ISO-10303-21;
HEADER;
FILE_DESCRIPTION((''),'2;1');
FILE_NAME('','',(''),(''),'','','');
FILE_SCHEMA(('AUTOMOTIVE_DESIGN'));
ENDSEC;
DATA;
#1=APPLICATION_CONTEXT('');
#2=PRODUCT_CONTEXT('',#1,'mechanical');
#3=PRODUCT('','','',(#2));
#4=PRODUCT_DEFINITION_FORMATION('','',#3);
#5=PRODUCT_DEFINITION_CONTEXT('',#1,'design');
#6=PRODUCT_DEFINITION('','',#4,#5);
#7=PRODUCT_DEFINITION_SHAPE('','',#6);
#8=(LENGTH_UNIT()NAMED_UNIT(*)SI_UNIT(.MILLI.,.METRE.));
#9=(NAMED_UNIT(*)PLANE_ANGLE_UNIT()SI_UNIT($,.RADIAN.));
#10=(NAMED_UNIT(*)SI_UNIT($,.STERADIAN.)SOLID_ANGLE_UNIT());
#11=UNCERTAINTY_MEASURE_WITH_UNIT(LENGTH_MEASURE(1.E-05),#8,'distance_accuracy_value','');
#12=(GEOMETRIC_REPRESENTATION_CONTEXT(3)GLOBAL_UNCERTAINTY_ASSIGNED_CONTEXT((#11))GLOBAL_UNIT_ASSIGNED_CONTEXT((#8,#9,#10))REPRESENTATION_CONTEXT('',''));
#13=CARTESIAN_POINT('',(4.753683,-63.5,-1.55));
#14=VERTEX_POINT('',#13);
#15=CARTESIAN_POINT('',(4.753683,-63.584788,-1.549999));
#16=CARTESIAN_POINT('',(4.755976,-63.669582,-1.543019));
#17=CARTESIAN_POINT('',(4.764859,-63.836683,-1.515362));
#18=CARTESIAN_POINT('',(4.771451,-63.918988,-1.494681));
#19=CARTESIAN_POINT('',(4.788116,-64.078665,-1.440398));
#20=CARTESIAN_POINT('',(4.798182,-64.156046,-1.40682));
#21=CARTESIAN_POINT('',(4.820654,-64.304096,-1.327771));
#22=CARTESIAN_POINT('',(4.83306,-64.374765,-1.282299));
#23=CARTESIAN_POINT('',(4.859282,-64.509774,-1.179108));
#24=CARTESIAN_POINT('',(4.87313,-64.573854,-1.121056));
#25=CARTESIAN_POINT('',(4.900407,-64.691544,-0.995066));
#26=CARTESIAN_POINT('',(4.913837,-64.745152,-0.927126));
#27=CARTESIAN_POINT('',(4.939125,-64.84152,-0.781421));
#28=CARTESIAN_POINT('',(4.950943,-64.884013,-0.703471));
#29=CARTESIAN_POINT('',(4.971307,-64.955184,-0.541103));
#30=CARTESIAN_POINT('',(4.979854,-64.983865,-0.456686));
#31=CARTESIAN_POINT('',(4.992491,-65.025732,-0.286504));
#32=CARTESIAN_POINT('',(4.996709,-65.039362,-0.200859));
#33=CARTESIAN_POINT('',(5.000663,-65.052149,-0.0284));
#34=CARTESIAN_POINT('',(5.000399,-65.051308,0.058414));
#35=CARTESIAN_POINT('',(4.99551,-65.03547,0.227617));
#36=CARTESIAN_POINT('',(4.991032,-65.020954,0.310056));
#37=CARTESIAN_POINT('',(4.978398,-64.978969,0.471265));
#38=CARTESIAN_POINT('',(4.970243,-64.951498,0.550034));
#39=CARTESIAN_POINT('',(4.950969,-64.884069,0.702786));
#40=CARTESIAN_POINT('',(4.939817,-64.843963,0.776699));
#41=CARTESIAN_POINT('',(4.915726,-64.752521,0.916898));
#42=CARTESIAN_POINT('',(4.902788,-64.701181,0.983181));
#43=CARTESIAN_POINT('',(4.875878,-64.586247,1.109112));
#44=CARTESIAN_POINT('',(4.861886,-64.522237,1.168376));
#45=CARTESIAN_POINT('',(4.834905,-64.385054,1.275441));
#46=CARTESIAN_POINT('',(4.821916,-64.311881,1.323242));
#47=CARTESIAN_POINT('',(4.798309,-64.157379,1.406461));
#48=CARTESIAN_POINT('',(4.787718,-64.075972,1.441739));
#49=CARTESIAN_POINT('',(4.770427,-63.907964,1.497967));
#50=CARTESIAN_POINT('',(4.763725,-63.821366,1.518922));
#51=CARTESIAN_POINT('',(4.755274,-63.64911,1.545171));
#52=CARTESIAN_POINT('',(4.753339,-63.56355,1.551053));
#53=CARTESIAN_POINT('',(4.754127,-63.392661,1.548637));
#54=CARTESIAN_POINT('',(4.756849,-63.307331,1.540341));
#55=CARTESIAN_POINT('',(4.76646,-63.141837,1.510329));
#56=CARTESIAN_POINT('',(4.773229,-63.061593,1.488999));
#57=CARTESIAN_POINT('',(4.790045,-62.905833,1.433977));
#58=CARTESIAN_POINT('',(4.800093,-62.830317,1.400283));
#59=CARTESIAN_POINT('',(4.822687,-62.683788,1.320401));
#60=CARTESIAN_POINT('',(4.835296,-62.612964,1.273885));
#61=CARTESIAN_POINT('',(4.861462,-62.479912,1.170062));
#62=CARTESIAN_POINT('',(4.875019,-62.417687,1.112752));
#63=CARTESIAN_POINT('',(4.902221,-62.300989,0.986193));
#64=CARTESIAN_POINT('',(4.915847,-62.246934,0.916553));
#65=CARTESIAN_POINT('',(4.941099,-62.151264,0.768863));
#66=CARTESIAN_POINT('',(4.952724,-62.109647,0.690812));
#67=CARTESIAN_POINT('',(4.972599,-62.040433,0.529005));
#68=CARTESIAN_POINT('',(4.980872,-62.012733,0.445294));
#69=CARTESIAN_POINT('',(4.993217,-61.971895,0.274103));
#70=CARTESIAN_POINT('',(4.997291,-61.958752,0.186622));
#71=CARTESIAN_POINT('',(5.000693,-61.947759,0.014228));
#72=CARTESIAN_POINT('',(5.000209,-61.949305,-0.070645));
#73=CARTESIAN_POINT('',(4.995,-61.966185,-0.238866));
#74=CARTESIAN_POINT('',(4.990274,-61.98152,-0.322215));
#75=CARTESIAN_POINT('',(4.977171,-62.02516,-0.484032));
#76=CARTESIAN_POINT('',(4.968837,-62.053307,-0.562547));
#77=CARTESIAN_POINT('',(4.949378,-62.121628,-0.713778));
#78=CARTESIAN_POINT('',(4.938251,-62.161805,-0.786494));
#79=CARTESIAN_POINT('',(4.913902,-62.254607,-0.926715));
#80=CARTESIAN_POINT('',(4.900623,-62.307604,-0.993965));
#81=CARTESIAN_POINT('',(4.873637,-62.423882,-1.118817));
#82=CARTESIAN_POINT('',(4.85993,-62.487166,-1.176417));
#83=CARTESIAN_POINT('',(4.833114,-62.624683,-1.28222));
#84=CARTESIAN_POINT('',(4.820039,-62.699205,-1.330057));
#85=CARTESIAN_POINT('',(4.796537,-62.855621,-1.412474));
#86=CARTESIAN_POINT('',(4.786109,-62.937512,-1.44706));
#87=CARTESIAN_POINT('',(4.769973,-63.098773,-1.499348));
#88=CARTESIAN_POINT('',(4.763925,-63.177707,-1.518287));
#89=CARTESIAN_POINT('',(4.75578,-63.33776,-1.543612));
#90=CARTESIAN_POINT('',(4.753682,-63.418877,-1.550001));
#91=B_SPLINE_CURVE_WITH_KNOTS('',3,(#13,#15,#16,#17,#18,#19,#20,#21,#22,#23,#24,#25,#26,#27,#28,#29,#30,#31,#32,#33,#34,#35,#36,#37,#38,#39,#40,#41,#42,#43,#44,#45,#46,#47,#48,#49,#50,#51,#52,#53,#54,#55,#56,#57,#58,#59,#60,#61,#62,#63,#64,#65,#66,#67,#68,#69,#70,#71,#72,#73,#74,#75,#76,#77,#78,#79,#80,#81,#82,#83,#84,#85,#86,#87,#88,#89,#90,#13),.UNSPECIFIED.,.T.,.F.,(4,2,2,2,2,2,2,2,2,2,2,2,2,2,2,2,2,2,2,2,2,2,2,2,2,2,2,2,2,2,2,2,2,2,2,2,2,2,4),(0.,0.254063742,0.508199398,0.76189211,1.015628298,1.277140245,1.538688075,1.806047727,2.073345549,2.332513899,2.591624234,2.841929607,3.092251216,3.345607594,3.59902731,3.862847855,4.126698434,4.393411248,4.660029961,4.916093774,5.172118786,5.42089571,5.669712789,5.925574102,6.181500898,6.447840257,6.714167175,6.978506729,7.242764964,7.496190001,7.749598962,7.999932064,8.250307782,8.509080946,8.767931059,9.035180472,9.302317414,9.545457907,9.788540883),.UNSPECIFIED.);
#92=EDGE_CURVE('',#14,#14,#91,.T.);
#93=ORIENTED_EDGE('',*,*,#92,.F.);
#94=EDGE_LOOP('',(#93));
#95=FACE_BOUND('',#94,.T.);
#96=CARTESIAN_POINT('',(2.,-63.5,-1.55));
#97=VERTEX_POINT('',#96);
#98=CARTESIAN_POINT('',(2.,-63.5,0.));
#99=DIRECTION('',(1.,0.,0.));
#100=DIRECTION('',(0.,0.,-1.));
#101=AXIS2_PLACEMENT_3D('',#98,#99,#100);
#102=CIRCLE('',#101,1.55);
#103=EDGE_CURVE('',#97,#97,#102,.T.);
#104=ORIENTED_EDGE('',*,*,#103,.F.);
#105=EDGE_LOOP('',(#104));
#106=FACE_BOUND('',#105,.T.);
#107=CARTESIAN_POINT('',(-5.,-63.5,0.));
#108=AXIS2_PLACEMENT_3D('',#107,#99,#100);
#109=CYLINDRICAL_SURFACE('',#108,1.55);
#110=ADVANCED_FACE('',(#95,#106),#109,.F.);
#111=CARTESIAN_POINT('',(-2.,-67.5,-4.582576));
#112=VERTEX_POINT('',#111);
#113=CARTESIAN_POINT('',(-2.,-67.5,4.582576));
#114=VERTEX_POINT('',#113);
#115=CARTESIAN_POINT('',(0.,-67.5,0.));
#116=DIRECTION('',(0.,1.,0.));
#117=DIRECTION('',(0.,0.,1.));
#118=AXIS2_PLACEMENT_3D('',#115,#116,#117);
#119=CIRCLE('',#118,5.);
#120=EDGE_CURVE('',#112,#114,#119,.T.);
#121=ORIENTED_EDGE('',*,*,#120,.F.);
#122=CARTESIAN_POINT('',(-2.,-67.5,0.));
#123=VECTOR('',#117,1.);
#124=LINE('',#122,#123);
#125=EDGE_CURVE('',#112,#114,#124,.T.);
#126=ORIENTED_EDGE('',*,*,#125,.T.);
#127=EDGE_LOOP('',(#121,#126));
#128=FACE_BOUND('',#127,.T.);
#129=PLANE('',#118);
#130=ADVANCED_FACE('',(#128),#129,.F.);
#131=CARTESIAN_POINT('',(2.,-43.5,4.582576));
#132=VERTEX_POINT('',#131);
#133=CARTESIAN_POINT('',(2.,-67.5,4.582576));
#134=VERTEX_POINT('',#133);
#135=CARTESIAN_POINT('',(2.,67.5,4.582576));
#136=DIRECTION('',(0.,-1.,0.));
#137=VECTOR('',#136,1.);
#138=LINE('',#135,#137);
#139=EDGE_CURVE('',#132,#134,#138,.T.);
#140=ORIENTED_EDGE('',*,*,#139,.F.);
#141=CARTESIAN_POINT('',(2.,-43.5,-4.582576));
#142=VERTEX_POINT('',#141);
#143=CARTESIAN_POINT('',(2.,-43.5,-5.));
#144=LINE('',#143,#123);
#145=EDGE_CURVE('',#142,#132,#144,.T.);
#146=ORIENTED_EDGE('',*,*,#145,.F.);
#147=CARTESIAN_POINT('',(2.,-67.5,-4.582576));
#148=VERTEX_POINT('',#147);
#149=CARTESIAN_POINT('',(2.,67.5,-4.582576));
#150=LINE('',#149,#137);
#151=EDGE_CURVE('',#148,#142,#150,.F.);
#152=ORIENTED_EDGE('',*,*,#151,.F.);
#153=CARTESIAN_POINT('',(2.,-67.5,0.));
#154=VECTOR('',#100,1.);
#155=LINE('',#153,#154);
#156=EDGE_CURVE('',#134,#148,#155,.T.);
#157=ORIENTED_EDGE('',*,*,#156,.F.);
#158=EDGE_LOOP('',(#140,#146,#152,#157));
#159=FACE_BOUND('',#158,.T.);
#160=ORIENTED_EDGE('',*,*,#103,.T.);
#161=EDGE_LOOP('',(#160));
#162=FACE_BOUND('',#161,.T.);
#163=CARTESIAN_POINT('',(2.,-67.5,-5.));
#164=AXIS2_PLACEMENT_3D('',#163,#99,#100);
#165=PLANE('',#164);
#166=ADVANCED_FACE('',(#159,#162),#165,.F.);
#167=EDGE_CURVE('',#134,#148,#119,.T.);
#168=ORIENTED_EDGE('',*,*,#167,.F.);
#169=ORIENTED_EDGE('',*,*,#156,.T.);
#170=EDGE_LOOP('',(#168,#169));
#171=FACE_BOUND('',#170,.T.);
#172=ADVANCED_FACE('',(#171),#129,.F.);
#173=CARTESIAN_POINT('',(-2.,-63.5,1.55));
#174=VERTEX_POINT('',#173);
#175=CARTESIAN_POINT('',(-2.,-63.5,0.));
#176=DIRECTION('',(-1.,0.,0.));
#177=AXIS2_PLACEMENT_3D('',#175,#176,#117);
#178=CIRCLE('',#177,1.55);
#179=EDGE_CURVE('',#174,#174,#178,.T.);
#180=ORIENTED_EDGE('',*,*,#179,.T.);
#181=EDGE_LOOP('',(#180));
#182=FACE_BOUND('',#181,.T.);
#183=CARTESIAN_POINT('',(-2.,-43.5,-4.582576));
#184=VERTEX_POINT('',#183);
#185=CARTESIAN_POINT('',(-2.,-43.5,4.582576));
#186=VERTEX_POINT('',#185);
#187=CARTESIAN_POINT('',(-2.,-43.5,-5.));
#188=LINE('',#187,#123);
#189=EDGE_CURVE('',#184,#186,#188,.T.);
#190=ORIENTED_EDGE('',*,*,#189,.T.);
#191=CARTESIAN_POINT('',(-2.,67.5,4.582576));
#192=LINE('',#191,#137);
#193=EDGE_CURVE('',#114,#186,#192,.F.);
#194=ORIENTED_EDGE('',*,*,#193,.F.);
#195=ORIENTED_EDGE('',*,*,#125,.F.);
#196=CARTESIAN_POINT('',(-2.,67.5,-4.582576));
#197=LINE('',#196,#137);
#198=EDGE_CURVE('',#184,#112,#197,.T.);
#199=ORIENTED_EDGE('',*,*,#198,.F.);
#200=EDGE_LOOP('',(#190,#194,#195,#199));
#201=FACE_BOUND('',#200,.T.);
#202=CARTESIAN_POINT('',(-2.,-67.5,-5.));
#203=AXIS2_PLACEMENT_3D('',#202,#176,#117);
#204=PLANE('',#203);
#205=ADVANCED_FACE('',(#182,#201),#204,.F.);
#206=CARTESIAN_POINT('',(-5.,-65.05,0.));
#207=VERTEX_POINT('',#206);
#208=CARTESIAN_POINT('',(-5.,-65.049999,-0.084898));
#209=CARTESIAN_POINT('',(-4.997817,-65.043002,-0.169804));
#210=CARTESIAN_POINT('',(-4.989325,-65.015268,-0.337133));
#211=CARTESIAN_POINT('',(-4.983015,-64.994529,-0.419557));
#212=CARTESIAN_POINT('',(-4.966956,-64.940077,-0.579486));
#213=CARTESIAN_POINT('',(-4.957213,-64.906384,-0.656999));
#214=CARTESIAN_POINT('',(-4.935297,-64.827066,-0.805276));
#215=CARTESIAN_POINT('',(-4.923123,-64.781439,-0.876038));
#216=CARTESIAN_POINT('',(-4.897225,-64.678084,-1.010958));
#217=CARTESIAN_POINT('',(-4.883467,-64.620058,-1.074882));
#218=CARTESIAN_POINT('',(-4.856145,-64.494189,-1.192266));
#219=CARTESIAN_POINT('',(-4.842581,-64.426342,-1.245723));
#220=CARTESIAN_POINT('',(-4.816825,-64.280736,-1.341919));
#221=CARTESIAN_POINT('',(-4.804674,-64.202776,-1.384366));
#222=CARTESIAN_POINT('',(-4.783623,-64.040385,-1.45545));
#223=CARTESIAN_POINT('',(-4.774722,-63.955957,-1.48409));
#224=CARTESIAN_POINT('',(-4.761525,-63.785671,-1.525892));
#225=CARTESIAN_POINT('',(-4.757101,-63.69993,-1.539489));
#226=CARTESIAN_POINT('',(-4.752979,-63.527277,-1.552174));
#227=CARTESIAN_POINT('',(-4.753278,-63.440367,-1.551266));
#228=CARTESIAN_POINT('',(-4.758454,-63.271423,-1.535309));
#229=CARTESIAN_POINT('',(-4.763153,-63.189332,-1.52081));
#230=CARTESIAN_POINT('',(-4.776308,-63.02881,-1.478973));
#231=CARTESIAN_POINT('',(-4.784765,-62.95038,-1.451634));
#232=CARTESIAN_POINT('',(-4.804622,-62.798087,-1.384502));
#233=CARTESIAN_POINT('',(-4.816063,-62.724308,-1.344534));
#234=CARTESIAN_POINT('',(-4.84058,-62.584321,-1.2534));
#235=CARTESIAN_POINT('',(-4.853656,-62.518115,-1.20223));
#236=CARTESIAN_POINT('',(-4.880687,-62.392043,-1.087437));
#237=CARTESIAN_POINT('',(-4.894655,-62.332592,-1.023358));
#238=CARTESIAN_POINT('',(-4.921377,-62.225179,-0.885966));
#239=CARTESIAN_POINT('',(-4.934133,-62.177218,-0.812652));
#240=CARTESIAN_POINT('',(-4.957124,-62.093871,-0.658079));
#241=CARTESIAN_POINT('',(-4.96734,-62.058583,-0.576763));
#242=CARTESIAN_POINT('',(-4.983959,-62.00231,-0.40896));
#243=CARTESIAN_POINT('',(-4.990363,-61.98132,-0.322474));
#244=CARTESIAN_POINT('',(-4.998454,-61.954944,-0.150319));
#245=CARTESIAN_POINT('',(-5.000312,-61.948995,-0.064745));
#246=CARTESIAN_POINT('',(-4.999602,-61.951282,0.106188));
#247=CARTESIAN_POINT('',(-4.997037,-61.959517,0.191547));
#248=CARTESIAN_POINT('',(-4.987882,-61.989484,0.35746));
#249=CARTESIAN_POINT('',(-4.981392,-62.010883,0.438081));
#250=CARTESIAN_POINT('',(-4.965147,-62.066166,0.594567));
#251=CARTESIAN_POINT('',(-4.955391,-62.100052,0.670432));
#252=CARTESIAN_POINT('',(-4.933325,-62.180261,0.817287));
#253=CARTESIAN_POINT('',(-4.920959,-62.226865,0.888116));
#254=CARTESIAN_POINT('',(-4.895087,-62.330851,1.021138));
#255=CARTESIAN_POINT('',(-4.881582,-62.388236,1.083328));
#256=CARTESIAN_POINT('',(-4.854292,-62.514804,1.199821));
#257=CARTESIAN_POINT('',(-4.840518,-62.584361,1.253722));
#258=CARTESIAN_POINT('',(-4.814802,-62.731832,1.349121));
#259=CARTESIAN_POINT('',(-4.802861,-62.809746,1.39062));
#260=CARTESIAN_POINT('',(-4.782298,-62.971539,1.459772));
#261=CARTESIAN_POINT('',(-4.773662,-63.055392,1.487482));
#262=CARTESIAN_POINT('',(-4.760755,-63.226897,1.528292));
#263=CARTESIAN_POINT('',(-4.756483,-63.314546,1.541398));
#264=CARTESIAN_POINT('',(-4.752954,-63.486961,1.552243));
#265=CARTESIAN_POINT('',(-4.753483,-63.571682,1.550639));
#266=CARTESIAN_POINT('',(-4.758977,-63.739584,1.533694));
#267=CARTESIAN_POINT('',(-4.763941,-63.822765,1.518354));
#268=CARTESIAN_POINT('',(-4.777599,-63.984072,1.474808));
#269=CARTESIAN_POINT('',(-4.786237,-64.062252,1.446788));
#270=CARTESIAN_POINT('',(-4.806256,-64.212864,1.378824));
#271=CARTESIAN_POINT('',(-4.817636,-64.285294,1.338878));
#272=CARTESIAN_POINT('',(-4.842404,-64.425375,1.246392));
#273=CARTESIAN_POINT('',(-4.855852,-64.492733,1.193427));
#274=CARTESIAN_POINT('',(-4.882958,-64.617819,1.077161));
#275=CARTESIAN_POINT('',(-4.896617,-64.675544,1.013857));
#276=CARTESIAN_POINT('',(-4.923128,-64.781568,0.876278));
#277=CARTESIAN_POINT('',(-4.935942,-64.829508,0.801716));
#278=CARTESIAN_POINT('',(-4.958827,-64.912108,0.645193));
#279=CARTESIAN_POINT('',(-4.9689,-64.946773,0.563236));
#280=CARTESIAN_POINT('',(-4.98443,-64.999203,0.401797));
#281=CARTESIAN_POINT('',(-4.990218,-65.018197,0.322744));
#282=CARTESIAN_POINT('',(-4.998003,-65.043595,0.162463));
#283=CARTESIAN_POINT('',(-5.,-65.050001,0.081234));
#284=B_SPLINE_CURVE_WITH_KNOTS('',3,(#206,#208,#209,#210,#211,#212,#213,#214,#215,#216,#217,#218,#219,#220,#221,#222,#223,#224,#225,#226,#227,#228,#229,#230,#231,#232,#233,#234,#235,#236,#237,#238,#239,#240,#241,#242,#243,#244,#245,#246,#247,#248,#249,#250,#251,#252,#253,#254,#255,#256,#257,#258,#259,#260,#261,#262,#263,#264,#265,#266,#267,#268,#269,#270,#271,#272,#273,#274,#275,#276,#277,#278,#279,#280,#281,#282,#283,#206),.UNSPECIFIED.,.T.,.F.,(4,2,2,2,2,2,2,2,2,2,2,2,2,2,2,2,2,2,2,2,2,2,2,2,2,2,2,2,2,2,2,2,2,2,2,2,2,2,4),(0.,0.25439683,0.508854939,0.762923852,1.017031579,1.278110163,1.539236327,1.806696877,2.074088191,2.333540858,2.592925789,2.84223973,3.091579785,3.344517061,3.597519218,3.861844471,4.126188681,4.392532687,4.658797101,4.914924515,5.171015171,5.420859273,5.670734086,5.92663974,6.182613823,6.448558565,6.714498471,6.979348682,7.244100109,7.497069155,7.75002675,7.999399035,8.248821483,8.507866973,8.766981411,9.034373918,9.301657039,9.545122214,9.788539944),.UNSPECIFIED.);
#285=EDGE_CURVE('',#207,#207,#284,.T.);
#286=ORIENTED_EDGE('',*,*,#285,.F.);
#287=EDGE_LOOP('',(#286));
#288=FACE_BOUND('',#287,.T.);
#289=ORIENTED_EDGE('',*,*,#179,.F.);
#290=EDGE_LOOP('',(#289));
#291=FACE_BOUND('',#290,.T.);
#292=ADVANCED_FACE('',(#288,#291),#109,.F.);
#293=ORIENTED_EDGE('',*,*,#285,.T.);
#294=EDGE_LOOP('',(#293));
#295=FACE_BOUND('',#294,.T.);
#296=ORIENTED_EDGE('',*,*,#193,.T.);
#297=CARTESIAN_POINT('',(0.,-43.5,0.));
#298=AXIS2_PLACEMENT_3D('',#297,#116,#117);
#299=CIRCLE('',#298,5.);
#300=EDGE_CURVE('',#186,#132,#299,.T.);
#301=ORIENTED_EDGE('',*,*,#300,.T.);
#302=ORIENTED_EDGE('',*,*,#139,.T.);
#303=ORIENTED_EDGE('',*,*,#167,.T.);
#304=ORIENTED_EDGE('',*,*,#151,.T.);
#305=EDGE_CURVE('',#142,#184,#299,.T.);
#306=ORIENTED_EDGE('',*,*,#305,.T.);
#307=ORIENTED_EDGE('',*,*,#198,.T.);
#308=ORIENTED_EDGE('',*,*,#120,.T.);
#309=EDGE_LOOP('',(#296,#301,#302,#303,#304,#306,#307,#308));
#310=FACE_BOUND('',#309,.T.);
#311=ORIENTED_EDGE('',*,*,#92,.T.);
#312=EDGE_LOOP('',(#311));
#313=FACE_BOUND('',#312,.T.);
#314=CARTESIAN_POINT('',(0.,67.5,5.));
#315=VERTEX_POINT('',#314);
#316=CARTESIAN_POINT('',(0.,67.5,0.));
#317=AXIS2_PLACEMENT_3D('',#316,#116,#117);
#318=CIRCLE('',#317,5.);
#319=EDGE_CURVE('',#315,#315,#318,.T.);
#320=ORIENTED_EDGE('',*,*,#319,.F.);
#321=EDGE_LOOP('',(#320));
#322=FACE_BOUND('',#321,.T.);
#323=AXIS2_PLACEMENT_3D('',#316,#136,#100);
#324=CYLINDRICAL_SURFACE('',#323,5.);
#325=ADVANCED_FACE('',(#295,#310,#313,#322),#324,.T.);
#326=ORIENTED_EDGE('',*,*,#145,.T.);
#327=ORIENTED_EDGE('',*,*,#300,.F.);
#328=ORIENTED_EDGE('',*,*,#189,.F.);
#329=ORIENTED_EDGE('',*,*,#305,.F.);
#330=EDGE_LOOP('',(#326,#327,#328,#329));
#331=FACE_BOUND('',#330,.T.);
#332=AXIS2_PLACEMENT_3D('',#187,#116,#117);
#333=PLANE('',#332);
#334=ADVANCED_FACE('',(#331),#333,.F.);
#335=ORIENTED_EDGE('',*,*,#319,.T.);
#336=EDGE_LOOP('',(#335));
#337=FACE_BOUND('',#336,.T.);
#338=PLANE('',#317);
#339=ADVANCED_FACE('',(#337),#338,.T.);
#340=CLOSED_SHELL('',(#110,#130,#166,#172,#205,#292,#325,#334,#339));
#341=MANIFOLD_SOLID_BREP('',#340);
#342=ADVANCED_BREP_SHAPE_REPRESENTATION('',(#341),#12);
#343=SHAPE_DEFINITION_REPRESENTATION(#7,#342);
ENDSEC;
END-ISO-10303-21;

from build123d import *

# Parameters (mm, degrees)
SKETCH1_R               = 5
BOSS_EXTRUDE1_DEPTH     = 67.5
CUT_EXTRUDE1_DEPTH      = 68.869359802
CUT_EXTRUDE1_DEPTH_BACK = 68.869359802
SKETCH2_W               = 4
SKETCH2_H               = 24
CUT_EXTRUDE2_DEPTH      = 68.869359802
CUT_EXTRUDE2_DEPTH_BACK = 68.869359802
SKETCH3_R               = 1.55


with BuildPart() as part:
    # Sketch1 → Boss-Extrude1 (new, symmetric)
    with BuildSketch(Plane(origin=(0, 0, 0), x_dir=(1, 0, 0), z_dir=(0, 1, 0))):
        with Locations(Location((0, 0, 0), (0, 0, 270))):
            Circle(SKETCH1_R)
    extrude(amount=BOSS_EXTRUDE1_DEPTH, both=True)

    # Sketch2 → Cut-Extrude1 (cut, two sides: drawn at the far end of the back side and taken through both)
    with BuildSketch(Plane.XY.offset(-CUT_EXTRUDE1_DEPTH_BACK)):
        with Locations((0, -55.5)):
            Rectangle(SKETCH2_W, SKETCH2_H)
    extrude(amount=CUT_EXTRUDE1_DEPTH + CUT_EXTRUDE1_DEPTH_BACK, mode=Mode.SUBTRACT)

    # Sketch3 → Cut-Extrude2 (cut, two sides: drawn at the far end of the back side and taken through both)
    with BuildSketch(Plane(origin=(0, 0, 0), x_dir=(0, 0, -1), z_dir=(1, 0, 0)).offset(-CUT_EXTRUDE2_DEPTH_BACK)):
        with Locations((0, -63.5)):
            Circle(SKETCH3_R)
    extrude(amount=CUT_EXTRUDE2_DEPTH + CUT_EXTRUDE2_DEPTH_BACK, mode=Mode.SUBTRACT)


solid = part.part
